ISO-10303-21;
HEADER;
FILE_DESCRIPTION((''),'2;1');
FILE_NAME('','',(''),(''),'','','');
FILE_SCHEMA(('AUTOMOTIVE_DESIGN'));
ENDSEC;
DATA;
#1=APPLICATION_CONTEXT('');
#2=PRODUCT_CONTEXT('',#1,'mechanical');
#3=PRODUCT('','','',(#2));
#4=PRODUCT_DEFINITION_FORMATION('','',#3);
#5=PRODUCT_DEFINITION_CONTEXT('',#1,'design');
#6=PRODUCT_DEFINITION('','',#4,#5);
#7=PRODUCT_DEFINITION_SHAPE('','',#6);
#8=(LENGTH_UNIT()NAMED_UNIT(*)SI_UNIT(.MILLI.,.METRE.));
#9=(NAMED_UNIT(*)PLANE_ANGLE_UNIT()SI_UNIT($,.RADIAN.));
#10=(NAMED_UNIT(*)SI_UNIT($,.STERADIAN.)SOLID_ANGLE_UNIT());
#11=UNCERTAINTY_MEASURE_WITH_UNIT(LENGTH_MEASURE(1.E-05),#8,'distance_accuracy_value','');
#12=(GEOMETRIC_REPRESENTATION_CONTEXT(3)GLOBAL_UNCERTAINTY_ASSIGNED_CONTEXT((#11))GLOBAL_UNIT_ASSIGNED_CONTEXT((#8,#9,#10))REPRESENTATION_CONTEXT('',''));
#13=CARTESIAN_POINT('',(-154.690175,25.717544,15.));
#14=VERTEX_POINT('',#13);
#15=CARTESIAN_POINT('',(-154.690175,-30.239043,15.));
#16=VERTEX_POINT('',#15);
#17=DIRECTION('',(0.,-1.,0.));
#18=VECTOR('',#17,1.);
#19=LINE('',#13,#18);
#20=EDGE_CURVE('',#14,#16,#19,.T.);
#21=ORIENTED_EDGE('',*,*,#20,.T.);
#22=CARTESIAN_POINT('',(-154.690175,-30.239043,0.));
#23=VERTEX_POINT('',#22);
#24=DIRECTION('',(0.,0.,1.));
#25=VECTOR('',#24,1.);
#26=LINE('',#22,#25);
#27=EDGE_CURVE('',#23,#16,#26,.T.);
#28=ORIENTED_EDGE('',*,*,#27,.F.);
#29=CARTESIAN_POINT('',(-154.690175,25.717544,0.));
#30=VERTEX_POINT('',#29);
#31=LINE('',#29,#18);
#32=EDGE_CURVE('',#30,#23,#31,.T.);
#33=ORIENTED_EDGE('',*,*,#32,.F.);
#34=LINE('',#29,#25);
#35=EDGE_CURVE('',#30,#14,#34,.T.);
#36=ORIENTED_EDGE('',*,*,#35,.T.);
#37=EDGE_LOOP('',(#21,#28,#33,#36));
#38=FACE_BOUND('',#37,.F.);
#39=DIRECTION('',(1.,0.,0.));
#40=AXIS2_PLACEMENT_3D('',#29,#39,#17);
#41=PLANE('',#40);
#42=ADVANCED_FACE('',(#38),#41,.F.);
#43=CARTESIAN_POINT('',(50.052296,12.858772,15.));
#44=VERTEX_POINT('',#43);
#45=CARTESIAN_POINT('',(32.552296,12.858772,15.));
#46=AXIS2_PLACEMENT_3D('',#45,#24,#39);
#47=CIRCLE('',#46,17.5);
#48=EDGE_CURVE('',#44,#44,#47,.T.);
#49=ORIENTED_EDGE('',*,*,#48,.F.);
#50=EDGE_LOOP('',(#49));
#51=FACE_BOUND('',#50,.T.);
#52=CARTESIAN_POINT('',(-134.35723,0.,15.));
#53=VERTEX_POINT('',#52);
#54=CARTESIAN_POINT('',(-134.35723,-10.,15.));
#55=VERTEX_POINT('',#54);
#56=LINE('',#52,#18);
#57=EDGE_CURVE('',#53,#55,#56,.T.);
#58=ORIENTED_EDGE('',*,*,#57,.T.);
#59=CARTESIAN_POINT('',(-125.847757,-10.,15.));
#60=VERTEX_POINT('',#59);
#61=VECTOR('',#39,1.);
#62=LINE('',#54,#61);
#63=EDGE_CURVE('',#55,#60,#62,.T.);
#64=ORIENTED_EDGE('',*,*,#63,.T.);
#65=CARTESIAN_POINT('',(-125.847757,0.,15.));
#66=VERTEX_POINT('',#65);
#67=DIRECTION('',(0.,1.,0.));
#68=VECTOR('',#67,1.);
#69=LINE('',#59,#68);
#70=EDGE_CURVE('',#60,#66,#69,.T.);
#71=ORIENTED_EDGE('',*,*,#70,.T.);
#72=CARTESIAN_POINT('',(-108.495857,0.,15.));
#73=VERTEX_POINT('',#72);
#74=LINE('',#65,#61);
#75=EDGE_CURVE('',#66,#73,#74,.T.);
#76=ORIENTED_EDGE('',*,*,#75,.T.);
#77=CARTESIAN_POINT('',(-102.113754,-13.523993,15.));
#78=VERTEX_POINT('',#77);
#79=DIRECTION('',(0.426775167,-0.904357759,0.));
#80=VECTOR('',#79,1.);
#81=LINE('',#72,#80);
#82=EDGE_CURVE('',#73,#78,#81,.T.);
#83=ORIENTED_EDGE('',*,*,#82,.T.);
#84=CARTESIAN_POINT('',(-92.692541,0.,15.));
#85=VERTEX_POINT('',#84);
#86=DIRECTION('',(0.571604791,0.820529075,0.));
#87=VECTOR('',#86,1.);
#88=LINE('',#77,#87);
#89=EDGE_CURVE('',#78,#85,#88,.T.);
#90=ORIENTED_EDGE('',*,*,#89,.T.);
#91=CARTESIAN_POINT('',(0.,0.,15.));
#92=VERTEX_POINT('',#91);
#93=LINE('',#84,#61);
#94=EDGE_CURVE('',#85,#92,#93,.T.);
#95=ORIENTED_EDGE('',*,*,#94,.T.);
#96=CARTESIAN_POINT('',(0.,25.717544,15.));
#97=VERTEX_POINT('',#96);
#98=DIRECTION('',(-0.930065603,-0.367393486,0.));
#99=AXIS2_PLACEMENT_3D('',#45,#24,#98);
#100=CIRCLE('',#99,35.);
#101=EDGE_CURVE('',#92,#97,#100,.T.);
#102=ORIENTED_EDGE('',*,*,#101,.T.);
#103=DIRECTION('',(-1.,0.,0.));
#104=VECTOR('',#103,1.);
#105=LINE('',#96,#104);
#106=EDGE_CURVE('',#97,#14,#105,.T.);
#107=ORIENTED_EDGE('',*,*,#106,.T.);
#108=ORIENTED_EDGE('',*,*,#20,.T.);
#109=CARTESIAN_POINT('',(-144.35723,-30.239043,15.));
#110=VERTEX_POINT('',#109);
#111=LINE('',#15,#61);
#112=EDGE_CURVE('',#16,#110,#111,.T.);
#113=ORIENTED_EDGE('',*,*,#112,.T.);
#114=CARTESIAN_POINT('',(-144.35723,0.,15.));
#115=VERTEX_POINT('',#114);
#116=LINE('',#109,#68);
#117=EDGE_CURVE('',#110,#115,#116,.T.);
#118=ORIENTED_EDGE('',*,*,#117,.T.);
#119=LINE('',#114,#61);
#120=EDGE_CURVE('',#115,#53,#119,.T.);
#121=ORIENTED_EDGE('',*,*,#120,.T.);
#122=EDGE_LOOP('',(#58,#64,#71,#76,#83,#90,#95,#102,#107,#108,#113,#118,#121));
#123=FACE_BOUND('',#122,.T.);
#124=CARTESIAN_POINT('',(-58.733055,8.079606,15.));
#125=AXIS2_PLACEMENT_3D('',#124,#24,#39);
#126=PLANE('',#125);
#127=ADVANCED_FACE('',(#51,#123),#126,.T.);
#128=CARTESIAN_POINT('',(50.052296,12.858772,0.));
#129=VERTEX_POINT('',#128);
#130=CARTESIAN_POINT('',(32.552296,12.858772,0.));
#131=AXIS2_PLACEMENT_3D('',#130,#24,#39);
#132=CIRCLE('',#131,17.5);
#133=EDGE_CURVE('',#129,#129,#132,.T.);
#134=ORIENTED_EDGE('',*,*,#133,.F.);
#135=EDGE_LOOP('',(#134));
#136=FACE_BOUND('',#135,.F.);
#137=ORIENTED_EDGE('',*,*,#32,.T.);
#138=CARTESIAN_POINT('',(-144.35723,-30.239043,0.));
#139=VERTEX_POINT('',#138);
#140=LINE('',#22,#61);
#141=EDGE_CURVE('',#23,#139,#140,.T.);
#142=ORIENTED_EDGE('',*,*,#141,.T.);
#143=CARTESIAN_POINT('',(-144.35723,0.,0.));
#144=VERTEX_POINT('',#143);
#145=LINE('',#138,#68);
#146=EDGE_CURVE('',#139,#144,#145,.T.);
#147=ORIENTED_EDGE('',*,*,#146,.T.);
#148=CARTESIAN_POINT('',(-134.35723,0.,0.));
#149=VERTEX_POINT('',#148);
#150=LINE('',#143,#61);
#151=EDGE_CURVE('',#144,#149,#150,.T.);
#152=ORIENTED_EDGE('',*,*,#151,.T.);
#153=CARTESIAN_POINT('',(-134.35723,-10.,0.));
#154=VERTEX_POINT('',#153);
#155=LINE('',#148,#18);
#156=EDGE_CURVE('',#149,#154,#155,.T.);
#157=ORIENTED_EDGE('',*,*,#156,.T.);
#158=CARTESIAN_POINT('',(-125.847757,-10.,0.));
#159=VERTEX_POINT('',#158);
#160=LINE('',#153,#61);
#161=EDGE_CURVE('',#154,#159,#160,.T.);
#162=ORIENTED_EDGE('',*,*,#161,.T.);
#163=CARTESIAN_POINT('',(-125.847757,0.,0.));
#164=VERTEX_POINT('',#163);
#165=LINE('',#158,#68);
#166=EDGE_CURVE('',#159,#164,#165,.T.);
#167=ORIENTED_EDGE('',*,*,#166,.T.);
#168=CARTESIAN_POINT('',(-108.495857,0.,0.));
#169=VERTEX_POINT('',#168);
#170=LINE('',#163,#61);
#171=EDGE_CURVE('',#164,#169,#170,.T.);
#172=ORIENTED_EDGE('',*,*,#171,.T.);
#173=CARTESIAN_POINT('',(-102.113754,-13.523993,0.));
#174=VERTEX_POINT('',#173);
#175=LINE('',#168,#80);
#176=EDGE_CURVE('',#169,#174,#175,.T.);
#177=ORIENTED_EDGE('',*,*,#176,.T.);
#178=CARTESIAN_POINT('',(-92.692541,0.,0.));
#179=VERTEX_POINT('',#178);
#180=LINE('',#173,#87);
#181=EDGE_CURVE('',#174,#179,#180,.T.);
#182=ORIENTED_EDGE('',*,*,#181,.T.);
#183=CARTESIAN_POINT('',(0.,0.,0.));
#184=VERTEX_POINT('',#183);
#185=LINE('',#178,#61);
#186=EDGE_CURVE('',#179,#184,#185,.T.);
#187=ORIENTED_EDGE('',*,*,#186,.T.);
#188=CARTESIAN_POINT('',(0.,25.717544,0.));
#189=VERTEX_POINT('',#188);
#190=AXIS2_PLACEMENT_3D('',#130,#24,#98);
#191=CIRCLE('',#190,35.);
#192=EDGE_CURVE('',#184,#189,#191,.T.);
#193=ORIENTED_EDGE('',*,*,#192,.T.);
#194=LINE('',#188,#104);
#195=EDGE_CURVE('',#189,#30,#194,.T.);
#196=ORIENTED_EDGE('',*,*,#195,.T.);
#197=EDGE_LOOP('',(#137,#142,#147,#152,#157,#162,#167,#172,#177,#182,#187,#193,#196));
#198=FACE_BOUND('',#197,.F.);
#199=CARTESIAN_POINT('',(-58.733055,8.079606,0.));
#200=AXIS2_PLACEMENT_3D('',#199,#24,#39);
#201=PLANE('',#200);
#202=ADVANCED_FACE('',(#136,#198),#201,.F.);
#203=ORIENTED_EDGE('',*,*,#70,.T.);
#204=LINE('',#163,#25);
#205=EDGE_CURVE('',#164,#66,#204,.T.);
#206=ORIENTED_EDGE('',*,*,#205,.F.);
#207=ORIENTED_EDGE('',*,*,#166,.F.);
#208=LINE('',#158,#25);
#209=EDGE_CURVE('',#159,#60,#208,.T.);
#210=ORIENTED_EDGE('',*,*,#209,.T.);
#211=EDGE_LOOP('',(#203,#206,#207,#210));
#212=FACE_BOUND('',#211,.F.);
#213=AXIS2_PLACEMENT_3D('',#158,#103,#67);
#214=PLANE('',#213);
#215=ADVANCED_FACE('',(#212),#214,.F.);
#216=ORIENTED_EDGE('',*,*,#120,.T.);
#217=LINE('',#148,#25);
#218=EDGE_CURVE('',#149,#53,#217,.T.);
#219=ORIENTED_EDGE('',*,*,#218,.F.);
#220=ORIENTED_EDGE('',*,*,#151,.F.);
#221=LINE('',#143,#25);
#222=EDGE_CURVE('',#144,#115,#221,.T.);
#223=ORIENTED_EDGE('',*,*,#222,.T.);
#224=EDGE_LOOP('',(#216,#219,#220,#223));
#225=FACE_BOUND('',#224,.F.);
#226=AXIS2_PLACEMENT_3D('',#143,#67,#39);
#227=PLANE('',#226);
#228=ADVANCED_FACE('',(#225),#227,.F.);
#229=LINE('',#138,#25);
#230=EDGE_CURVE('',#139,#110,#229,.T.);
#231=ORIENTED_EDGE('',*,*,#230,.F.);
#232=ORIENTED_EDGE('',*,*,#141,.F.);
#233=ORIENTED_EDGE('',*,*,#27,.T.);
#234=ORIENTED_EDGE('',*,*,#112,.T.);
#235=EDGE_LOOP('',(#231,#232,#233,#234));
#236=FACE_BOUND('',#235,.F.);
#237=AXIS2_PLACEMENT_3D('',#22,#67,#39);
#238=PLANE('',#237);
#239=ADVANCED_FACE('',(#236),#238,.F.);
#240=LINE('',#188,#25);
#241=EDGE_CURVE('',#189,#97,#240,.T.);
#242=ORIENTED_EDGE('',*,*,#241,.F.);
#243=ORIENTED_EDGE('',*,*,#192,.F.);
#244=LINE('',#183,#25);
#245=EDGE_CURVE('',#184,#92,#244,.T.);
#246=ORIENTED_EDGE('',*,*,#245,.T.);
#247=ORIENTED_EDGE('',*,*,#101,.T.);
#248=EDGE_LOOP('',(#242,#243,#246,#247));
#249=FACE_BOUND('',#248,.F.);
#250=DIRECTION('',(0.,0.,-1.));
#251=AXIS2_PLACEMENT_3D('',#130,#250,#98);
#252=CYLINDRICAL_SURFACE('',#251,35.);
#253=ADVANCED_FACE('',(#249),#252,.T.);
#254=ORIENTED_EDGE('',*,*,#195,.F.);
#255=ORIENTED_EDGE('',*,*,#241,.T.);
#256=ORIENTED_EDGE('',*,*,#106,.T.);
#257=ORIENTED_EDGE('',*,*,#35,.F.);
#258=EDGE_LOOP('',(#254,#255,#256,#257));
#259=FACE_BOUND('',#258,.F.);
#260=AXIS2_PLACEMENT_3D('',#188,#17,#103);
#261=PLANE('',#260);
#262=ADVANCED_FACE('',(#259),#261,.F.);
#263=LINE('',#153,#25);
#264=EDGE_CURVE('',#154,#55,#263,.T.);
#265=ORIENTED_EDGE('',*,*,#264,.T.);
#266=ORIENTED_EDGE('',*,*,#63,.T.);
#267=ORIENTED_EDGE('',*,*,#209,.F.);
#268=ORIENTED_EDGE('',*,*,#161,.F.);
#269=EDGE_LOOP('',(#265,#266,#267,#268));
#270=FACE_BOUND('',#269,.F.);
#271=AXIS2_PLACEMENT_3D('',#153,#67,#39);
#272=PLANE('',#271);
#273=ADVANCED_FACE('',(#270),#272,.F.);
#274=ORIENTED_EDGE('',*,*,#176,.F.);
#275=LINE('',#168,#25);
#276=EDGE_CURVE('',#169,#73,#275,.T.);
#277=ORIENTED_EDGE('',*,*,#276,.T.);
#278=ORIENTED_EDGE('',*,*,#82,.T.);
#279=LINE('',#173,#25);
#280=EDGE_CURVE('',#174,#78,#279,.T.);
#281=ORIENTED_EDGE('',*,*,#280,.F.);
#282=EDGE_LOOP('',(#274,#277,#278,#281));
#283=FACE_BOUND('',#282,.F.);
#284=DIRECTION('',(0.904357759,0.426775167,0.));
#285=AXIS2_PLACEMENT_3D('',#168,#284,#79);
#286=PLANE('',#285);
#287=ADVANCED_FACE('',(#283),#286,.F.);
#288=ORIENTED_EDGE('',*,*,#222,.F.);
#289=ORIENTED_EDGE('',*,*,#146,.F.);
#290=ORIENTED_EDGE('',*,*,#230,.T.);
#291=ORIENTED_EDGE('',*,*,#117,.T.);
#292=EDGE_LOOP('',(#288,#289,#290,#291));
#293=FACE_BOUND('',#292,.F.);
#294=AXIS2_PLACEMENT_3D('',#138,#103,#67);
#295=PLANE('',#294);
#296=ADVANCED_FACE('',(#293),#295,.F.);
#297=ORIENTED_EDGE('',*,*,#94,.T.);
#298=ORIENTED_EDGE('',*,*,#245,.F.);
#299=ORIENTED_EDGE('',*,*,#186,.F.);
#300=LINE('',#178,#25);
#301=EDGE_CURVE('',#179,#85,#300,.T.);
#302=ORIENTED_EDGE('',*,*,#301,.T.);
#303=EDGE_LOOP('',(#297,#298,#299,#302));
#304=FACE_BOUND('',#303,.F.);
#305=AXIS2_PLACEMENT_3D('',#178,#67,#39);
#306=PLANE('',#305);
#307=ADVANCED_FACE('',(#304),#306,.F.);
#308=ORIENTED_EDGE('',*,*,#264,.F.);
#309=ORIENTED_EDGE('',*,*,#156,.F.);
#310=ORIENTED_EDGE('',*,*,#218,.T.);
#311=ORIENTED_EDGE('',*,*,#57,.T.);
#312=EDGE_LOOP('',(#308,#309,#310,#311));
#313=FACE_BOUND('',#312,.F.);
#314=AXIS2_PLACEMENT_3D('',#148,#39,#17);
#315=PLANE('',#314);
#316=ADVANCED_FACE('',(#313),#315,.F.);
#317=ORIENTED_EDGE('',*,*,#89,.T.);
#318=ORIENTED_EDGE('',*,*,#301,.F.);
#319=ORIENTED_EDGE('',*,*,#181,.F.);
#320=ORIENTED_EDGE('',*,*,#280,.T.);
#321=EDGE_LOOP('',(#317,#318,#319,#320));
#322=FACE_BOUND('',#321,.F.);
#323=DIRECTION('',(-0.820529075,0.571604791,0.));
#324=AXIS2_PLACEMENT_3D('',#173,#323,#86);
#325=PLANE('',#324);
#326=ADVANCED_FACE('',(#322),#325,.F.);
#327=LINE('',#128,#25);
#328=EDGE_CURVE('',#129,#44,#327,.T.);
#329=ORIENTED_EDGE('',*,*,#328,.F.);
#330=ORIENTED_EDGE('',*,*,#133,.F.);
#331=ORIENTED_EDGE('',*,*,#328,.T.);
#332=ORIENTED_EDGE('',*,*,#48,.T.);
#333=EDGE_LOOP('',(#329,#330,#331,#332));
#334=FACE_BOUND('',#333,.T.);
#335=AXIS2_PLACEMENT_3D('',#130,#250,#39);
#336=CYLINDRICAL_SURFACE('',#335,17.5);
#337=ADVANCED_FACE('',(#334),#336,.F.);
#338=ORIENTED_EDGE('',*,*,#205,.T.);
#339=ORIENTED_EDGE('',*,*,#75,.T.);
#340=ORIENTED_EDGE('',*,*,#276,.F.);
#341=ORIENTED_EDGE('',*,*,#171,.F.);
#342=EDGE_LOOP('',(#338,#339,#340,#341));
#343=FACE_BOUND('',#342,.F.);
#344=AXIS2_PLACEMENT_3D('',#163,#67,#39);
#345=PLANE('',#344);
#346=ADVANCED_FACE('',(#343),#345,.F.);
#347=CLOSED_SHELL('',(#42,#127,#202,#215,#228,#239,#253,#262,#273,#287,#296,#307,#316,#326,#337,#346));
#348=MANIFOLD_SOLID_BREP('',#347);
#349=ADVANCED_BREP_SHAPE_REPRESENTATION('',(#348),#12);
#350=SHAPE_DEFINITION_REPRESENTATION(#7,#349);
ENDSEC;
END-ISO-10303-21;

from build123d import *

# Parameters (mm, degrees)
F0_R     = 17.5
F1_DEPTH = 15


with BuildPart() as f1:
    # F0 (on Top) → F1 (new body)
    with BuildSketch(Plane.XY):
        with BuildLine():
            Line((-92.692541, 0), (0, 0))
            ThreePointArc((0, 0), (67.552296, 12.858772), (0, 25.717544))
            Line((0, 25.717544), (-154.690175, 25.717544))
            Line((-154.690175, 25.717544), (-154.690175, 0))
            Line((-154.690175, 0), (-154.690175, -30.239043))
            Line((-154.690175, -30.239043), (-144.35723, -30.239043))
            Line((-144.35723, -30.239043), (-144.35723, 0))
            Line((-144.35723, 0), (-134.35723, 0))
            Line((-134.35723, 0), (-134.35723, -10))
            Line((-134.35723, -10), (-125.847757, -10))
            Line((-125.847757, -10), (-125.847757, 0))
            Line((-125.847757, 0), (-108.495857, 0))
            Line((-108.495857, 0), (-102.113754, -13.523993))
            Line((-102.113754, -13.523993), (-92.692541, 0))
        make_face()
        with Locations((32.552296, 12.858772)):
            Circle(F0_R, mode=Mode.SUBTRACT)
    extrude(amount=F1_DEPTH)


solid = f1.part
